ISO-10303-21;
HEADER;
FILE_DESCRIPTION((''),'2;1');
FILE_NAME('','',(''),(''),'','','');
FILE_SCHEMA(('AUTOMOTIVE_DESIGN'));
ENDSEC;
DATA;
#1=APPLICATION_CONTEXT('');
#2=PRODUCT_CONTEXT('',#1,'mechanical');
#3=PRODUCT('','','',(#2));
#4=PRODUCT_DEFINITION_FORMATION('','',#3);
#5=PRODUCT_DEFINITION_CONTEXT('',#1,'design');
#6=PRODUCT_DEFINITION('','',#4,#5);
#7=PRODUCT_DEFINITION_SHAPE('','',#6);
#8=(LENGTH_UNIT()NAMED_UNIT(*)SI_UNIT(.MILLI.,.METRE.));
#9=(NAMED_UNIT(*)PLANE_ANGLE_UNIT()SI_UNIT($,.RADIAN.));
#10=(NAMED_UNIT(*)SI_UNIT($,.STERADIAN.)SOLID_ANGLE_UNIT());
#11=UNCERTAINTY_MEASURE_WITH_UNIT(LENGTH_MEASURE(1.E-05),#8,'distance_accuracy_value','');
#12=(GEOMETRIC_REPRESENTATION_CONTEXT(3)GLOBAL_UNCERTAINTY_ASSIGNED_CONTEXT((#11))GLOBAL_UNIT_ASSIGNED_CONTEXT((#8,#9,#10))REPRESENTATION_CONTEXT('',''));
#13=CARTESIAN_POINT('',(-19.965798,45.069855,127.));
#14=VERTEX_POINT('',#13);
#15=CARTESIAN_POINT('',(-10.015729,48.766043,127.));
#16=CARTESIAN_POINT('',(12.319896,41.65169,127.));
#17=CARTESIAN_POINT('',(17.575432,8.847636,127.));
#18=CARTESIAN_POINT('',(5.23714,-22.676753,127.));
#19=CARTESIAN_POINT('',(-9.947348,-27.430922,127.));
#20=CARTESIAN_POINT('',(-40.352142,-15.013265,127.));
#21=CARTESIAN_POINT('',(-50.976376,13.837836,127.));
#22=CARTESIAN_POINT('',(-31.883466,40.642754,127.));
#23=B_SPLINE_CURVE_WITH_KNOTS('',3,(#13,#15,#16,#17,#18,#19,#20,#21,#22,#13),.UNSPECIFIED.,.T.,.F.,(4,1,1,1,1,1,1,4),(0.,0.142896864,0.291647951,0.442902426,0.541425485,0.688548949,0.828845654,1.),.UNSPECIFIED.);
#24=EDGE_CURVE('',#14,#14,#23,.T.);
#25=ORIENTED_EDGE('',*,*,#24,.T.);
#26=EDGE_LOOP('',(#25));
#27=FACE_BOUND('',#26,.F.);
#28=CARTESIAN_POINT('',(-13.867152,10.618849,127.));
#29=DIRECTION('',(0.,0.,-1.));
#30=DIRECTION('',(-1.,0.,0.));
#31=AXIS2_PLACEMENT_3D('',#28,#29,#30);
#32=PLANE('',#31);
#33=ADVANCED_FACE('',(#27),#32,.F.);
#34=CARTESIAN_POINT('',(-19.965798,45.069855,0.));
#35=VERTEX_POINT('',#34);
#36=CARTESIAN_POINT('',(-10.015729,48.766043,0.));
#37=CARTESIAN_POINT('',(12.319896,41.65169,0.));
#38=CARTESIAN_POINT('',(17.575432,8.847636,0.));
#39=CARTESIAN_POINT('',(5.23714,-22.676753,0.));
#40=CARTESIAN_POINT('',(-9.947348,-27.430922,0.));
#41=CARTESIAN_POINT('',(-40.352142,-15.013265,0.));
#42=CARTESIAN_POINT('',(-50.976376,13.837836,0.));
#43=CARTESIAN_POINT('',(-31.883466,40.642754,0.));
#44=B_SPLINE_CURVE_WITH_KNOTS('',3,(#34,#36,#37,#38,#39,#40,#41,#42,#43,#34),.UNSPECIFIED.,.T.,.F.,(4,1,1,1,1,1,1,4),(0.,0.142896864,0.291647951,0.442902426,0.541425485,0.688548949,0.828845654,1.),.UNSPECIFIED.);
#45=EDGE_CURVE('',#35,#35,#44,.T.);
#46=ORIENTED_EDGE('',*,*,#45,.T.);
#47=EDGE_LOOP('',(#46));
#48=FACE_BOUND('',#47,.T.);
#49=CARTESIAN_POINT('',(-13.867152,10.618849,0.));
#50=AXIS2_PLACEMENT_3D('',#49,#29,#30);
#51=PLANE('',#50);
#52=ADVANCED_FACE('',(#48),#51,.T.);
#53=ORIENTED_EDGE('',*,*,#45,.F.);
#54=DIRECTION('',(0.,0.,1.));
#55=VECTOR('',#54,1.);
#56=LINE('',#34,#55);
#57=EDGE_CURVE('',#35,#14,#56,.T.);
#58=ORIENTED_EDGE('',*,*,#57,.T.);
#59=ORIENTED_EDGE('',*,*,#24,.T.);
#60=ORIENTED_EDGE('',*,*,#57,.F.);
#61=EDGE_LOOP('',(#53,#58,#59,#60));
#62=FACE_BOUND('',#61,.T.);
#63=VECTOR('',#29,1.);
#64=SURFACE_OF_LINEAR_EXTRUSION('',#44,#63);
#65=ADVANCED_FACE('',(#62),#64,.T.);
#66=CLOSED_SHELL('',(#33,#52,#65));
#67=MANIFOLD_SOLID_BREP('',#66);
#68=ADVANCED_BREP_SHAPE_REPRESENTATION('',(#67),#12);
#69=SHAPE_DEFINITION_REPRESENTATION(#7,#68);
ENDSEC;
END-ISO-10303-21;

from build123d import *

# Parameters (mm, degrees)
F1_DEPTH = 127


with BuildPart() as f1:
    # F0 (on Top) → F1 (new body)
    with BuildSketch(Plane.XY):
        with BuildLine():
            add(Edge.make_bspline(
                [(-19.9657976627, 45.0698547065), (-10.0157290765, 48.7660433572), (12.3198960595, 41.6516904902), (17.5754322409, 8.8476355011), (5.2371399106, -22.676752997), (-9.9473478058, -27.430922439), (-40.352141728, -15.0132648244), (-50.9763762998, 13.8378363882), (-31.8834663018, 40.6427544122), (-19.9657976627, 45.0698547065)],
                knots=[0, 0, 0, 0, 0.1428968644, 0.2916479513, 0.442902426, 0.5414254845, 0.6885489493, 0.8288456542, 1, 1, 1, 1], degree=3))
        make_face()
    extrude(amount=F1_DEPTH)


solid = f1.part
